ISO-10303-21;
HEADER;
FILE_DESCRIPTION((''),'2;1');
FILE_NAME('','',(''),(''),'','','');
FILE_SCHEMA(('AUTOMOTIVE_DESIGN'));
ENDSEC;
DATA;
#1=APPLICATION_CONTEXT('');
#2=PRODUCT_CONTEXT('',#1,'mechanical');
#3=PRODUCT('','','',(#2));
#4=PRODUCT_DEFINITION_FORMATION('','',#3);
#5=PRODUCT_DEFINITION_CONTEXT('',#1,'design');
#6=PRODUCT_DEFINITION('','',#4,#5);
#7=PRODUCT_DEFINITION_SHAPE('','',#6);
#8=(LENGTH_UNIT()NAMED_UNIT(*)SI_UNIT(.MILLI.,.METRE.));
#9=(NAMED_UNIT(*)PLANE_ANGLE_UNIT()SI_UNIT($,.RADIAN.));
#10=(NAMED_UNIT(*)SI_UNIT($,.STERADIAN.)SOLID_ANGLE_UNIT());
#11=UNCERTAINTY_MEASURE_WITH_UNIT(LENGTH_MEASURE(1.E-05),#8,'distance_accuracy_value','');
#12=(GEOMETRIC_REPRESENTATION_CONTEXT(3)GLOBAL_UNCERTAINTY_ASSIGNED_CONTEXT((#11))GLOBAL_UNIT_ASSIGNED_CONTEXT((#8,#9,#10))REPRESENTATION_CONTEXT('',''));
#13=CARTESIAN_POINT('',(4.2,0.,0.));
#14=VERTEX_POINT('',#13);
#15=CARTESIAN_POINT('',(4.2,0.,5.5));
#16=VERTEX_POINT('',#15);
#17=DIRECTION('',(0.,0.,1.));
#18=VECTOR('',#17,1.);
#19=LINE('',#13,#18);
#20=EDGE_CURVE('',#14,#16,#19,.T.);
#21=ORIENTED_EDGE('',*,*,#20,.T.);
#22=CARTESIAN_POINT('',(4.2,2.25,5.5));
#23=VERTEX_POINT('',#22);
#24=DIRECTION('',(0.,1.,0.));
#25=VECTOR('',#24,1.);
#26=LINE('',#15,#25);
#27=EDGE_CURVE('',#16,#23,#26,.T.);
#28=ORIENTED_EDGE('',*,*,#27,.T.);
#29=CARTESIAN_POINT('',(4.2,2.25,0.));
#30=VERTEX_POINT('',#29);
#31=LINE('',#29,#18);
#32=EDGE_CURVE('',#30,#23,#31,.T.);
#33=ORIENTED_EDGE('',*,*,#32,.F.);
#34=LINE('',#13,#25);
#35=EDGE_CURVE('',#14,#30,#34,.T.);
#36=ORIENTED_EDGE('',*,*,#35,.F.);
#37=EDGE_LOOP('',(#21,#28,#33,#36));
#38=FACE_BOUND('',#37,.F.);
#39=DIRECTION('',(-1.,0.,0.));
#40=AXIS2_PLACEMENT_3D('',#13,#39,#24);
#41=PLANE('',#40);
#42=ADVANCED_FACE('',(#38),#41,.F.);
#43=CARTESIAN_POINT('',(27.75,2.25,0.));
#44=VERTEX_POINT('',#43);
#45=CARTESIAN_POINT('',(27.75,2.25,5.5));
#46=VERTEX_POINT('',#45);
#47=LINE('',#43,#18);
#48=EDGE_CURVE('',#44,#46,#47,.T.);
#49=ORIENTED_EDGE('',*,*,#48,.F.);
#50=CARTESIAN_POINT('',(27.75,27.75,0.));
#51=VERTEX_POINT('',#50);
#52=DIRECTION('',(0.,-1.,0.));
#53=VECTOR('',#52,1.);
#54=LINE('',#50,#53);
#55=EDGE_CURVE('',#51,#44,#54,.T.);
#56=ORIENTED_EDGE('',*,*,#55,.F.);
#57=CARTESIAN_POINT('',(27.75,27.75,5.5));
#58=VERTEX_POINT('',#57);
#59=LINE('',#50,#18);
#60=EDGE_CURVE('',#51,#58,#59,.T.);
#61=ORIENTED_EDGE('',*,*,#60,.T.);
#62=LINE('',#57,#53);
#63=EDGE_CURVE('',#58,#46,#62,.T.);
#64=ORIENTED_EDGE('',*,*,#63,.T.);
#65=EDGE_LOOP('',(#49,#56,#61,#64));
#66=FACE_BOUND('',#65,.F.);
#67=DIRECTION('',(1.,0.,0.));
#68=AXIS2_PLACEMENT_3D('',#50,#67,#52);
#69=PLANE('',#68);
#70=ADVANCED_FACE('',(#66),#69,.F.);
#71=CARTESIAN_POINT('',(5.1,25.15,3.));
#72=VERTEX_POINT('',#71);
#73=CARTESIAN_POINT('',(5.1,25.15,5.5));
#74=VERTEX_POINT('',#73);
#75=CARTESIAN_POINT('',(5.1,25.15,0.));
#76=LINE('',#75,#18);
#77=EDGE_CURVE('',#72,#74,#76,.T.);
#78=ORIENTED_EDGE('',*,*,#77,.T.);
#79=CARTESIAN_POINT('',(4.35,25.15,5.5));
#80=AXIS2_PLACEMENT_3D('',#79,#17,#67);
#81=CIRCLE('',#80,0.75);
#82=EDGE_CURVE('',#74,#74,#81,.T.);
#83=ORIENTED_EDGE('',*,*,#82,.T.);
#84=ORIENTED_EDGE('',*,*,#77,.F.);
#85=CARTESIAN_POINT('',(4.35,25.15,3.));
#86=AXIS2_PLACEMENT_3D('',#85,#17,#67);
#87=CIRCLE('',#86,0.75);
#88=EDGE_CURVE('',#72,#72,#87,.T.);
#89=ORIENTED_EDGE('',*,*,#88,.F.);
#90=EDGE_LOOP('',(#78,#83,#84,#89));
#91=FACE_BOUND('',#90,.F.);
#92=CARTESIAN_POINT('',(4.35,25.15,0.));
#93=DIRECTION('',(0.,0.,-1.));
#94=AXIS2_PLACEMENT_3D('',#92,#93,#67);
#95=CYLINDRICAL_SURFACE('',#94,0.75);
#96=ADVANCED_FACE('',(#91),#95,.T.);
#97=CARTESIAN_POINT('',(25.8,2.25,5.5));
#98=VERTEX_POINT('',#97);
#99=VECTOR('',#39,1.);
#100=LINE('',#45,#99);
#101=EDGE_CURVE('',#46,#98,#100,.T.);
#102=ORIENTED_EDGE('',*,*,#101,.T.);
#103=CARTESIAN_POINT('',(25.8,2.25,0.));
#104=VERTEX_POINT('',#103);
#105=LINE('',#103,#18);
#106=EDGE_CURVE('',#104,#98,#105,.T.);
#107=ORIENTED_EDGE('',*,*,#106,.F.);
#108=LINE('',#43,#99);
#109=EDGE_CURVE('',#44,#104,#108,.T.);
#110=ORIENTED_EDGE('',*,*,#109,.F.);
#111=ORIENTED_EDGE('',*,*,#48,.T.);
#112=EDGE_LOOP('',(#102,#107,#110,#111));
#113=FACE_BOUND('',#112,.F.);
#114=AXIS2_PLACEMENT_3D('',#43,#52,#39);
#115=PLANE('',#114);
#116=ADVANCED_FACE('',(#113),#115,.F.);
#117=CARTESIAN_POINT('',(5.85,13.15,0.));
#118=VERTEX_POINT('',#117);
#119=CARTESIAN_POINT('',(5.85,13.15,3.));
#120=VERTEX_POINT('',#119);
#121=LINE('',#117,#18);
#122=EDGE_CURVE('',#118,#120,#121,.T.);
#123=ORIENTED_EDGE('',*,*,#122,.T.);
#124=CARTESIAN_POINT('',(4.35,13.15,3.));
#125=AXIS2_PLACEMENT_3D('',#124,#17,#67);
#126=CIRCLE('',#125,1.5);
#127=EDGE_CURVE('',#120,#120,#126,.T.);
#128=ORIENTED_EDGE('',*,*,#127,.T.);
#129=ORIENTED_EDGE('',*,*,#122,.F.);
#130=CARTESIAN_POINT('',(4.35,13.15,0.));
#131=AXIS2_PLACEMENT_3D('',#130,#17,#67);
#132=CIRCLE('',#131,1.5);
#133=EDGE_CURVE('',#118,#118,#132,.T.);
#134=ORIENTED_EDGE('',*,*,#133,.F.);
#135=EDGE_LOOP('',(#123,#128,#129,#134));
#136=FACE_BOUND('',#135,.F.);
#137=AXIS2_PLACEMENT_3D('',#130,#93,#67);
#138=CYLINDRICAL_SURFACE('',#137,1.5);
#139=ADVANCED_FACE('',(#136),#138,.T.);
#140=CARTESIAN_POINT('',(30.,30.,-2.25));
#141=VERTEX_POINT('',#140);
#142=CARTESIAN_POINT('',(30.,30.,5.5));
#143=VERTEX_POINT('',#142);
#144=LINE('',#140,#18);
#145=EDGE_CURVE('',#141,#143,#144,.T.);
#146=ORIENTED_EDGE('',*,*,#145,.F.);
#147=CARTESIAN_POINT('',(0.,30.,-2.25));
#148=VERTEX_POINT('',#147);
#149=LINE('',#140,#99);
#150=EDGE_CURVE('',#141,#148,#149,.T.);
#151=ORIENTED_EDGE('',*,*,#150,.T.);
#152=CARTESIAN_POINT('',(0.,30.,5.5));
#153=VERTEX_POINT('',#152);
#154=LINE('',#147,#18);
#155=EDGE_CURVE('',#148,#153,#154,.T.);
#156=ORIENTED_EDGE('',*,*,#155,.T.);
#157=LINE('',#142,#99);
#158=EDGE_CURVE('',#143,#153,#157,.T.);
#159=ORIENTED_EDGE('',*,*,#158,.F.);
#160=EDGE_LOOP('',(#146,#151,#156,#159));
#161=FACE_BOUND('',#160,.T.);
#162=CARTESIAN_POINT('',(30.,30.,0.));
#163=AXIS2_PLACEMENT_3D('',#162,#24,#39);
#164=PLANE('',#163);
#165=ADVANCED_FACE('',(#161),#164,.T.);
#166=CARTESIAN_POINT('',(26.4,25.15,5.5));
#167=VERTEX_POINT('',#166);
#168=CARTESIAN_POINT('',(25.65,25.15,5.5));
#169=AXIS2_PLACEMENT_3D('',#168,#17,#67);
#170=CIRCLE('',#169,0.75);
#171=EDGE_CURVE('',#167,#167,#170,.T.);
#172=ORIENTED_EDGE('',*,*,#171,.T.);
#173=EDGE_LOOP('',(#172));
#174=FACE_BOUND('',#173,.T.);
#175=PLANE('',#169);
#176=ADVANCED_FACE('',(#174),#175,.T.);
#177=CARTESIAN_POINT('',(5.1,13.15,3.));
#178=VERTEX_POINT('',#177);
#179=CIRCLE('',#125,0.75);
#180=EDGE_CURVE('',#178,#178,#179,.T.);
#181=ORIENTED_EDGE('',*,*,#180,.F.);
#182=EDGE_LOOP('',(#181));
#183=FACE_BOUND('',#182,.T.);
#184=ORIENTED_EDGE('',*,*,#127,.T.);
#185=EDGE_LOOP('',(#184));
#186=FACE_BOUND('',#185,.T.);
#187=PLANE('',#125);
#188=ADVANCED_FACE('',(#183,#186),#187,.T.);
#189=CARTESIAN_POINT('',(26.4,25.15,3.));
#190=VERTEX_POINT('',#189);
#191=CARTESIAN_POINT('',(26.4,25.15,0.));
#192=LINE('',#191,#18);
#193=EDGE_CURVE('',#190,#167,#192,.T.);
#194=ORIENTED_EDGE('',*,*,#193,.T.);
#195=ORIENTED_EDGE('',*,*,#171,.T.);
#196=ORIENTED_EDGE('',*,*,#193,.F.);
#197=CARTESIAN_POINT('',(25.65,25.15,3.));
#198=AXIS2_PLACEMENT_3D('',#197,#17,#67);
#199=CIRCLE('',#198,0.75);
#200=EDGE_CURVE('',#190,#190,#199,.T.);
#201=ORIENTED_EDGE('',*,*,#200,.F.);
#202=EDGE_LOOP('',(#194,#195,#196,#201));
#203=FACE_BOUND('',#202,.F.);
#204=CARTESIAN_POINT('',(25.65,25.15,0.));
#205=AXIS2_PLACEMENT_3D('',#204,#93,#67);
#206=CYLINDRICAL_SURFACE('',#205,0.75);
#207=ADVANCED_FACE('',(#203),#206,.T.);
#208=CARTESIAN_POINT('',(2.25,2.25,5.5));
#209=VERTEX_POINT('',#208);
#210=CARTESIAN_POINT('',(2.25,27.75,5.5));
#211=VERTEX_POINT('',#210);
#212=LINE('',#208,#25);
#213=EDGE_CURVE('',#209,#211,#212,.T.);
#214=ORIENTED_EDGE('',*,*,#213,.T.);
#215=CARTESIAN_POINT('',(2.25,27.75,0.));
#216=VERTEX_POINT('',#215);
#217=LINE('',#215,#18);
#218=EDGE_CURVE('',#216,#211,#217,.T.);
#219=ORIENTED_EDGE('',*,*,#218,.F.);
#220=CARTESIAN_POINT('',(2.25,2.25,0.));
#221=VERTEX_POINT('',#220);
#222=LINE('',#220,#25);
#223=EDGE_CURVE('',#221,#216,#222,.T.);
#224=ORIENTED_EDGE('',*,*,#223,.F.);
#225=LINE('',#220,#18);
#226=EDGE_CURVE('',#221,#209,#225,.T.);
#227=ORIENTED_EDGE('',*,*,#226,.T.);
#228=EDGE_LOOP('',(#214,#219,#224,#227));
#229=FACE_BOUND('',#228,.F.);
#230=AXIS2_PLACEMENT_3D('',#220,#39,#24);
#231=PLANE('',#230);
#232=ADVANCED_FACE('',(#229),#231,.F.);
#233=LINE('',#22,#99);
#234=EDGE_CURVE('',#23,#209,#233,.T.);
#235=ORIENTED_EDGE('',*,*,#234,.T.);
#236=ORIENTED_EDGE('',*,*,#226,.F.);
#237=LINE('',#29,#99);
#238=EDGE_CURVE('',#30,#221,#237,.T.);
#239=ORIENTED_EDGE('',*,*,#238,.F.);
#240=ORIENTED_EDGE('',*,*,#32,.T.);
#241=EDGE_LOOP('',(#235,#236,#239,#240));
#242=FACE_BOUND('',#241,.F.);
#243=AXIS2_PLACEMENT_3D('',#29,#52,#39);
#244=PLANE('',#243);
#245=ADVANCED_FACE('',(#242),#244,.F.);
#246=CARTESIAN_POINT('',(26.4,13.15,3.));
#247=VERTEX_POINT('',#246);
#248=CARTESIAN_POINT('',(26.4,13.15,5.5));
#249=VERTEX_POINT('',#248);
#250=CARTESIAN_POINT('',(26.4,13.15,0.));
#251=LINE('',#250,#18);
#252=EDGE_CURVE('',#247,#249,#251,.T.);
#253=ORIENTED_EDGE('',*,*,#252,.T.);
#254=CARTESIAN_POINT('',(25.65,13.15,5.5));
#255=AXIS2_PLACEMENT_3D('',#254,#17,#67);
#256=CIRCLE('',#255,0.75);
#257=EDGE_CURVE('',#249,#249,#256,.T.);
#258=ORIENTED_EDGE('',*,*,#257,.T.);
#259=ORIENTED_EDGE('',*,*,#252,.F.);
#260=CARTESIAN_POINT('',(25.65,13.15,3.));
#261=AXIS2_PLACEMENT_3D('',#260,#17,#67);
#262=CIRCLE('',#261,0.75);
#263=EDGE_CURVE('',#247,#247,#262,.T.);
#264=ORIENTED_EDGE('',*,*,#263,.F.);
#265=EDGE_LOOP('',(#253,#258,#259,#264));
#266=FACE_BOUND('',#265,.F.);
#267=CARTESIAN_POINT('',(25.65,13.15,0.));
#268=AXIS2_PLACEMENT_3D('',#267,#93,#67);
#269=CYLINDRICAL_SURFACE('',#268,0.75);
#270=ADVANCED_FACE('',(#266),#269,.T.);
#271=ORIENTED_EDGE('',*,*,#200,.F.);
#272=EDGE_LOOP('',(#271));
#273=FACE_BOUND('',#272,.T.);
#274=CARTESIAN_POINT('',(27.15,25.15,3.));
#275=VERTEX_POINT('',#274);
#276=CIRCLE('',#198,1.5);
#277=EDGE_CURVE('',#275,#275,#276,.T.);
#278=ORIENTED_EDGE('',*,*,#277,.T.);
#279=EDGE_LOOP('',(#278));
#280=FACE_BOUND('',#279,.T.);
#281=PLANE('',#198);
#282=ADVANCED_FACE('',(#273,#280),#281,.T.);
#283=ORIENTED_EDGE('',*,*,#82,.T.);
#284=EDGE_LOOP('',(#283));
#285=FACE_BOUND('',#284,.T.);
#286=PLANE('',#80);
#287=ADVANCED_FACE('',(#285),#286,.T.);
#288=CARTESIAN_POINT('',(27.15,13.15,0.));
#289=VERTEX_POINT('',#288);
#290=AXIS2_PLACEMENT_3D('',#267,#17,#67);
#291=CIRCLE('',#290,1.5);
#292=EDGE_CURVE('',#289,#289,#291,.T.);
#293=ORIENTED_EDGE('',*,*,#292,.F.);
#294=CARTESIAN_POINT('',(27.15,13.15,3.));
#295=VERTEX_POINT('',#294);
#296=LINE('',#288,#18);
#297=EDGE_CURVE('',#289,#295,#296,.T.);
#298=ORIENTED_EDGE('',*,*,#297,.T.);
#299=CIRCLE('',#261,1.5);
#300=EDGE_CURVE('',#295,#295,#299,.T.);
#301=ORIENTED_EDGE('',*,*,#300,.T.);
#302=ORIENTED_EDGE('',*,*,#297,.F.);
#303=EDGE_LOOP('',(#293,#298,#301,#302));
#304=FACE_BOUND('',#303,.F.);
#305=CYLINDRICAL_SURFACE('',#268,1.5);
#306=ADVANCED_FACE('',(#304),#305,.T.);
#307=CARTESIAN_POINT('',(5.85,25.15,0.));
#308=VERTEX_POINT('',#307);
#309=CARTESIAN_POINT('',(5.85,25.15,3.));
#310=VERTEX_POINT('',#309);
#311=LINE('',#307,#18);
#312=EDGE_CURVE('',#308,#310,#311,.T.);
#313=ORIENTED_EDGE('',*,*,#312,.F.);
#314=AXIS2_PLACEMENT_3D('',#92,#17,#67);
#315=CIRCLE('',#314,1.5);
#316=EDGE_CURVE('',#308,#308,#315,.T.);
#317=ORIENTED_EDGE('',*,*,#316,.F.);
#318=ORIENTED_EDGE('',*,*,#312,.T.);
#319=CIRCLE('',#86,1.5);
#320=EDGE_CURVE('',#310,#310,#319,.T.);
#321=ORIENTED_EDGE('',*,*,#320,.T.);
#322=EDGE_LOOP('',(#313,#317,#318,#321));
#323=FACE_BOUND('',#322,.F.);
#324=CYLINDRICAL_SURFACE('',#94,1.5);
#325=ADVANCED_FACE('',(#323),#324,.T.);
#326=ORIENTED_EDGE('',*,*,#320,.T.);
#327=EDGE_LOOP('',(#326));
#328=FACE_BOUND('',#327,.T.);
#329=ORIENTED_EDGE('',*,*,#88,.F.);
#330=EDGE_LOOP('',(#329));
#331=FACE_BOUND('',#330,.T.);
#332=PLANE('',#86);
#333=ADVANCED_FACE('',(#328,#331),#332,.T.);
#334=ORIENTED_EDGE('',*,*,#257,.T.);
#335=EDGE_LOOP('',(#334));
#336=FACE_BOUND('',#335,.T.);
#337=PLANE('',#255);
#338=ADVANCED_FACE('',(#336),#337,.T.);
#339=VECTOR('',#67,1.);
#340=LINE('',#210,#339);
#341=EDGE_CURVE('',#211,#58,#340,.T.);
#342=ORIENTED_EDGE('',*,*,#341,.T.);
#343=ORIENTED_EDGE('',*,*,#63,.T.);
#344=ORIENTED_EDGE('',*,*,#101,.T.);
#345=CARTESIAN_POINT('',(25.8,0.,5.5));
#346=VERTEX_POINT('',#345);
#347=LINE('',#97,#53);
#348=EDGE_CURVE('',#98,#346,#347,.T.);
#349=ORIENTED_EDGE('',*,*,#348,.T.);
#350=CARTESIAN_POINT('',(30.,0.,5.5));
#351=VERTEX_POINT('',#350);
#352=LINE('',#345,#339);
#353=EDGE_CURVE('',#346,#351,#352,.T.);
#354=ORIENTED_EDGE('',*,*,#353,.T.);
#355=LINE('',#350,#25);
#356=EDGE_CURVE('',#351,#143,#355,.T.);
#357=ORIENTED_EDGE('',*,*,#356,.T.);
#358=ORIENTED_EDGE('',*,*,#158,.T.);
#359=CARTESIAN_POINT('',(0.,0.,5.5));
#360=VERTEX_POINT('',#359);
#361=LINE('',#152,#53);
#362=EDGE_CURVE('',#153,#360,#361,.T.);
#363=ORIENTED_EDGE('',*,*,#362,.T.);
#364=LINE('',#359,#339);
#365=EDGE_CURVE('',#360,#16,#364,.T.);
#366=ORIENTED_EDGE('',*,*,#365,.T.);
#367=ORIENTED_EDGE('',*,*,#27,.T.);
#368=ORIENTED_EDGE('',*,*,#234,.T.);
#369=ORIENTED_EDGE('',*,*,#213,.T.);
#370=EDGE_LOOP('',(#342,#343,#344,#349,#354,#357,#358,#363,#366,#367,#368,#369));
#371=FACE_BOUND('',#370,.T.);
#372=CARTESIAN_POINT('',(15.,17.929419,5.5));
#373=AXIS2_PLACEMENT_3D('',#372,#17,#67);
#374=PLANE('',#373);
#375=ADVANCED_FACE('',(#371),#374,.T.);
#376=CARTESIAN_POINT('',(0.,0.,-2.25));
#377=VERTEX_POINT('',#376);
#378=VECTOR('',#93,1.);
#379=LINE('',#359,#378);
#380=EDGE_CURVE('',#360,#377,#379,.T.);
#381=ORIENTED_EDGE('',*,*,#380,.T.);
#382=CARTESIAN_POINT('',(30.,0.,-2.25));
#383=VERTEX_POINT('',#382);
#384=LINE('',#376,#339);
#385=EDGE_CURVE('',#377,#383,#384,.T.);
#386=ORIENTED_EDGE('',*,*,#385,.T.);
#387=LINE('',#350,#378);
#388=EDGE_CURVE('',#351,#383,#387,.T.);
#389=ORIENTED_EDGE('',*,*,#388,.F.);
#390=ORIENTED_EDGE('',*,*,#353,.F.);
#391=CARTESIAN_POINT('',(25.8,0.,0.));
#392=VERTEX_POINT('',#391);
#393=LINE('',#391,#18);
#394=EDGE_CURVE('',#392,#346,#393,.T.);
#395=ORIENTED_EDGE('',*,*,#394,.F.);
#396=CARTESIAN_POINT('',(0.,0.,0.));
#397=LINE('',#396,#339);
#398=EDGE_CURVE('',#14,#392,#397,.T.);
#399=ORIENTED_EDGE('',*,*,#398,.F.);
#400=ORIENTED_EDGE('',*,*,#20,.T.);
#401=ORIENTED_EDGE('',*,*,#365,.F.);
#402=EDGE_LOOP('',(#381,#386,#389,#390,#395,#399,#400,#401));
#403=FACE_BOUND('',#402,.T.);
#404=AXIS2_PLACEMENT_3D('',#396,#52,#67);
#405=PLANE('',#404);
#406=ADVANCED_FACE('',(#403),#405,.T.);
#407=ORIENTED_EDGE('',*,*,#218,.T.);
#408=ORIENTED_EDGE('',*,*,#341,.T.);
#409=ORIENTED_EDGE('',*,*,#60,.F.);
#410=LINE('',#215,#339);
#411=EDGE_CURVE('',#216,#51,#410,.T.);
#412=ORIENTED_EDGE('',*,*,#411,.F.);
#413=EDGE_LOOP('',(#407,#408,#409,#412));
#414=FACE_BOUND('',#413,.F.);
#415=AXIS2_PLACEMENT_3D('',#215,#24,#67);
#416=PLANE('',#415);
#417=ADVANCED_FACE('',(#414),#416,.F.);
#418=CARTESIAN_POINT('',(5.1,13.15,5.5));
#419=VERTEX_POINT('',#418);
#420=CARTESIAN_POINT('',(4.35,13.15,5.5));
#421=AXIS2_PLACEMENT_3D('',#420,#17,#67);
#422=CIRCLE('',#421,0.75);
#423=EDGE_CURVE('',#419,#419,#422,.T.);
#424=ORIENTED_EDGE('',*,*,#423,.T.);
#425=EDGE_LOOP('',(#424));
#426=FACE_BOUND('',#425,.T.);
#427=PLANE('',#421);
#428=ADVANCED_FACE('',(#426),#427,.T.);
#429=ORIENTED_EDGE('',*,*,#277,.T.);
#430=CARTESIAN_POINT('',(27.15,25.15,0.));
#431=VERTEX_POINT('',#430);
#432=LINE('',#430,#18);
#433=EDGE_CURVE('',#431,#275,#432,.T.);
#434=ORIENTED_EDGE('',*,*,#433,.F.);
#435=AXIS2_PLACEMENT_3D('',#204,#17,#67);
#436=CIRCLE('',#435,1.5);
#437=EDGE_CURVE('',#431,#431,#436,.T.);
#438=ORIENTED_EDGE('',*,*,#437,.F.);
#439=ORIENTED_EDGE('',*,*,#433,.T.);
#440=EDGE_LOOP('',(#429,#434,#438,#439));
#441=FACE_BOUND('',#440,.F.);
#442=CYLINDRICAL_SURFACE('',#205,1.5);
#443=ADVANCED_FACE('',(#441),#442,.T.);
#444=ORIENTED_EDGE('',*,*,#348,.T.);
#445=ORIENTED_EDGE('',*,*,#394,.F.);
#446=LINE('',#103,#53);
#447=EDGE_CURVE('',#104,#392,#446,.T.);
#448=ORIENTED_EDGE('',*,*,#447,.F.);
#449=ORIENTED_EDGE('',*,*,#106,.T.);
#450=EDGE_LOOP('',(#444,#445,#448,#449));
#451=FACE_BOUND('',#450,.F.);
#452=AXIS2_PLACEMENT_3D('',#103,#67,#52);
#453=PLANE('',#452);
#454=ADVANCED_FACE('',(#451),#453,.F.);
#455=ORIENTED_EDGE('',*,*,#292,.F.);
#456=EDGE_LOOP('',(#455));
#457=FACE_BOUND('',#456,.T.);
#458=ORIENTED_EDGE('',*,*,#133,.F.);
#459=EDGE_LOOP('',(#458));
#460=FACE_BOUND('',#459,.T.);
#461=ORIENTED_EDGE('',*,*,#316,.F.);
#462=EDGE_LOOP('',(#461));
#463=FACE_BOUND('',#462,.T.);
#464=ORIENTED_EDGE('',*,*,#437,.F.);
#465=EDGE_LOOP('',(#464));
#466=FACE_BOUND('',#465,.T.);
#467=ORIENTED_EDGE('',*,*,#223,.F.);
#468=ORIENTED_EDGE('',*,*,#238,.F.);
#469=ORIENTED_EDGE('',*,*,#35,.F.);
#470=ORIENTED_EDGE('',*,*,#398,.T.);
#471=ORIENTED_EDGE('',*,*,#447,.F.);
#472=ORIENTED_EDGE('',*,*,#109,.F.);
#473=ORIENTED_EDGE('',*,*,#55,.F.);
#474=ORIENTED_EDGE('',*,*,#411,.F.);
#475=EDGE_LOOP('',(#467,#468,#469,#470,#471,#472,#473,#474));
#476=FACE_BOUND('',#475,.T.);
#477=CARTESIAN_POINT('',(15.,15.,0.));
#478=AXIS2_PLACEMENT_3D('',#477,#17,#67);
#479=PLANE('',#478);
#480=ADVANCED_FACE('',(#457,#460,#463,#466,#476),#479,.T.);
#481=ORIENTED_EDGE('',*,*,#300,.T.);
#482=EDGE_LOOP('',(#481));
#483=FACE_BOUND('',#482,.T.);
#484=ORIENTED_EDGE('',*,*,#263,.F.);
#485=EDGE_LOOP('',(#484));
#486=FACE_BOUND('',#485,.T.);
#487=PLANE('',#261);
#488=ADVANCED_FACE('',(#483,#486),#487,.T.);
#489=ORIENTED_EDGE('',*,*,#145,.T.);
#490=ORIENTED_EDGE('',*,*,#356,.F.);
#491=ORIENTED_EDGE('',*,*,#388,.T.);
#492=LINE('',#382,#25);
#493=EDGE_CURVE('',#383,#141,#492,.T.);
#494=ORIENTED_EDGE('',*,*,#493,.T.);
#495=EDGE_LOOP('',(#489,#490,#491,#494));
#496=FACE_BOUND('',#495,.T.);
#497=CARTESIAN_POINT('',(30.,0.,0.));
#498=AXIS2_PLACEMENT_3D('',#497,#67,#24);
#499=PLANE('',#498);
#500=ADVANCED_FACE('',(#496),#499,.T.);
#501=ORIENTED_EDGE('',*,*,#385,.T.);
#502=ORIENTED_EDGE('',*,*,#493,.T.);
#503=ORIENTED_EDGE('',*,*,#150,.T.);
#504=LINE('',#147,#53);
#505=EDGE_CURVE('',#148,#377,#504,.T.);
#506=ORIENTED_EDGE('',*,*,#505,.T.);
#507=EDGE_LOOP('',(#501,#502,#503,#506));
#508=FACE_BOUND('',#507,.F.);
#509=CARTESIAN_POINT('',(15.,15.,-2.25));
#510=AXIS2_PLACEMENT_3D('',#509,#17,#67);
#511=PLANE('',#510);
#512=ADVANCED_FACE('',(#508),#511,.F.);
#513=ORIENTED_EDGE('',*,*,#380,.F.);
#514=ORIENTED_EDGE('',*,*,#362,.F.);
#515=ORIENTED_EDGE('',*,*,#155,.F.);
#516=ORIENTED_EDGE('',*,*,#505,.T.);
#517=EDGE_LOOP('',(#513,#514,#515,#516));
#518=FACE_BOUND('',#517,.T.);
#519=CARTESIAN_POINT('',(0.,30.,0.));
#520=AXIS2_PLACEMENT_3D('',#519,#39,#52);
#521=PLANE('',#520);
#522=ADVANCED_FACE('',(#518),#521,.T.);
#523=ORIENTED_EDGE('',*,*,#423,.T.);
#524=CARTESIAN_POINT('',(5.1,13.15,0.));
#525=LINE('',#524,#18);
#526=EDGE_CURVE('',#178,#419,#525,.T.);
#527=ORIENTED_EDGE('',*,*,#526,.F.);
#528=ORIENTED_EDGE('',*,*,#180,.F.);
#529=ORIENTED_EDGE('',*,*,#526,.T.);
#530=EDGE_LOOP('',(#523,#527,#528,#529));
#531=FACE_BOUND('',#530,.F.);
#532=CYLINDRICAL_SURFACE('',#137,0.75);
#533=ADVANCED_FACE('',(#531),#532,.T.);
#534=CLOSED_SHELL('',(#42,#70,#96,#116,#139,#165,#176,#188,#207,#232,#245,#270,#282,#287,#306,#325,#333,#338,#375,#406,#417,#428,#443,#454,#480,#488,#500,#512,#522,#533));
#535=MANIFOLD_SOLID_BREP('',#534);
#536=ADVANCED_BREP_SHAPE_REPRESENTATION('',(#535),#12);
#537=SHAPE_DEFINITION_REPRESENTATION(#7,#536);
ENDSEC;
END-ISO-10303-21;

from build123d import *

# Parameters (mm, degrees)
F1_DEPTH = 5.5
F0_W     = 21.6
F0_H     = 2.25
F2_DEPTH = 2.25
F3_R     = 1.5
F3_R_2   = 0.75
F4_DEPTH = 3
F5_DEPTH = 5.5


with BuildPart() as f1:
    # F0 (on Top) → F1 (new body)
    with BuildSketch(Plane.XY):
        Polygon((0, 30), (0, 0), (4.2, 0), (4.2, 2.25), (2.25, 2.25), (2.25, 27.75), (27.75, 27.75), (27.75, 2.25), (25.8, 2.25), (25.8, 0), (30, 0), (30, 30), align=None)
    extrude(amount=F1_DEPTH)

    # F0 (on Top) → F2 (join)
    with BuildSketch(Plane.XY):
        Polygon((2.25, 2.25), (4.2, 2.25), (25.8, 2.25), (27.75, 2.25), (27.75, 27.75), (2.25, 27.75), align=None)
        Polygon((0, 30), (0, 0), (4.2, 0), (4.2, 2.25), (2.25, 2.25), (2.25, 27.75), (27.75, 27.75), (27.75, 2.25), (25.8, 2.25), (25.8, 0), (30, 0), (30, 30), align=None)
        with Locations((15, 1.125)):
            Rectangle(F0_W, F0_H)
    extrude(amount=-F2_DEPTH)

    # F3 (on face) → F4 (join)
    with BuildSketch(Plane.XY):
        with Locations((25.65, 25.15)):
            Circle(F3_R)
        with Locations((25.65, 25.15)):
            Circle(F3_R_2, mode=Mode.SUBTRACT)
        with Locations((25.65, 13.15)):
            Circle(F3_R)
        with Locations((25.65, 13.15)):
            Circle(F3_R_2, mode=Mode.SUBTRACT)
        with Locations((4.35, 25.15)):
            Circle(F3_R)
        with Locations((4.35, 25.15)):
            Circle(F3_R_2, mode=Mode.SUBTRACT)
        with Locations((4.35, 13.15)):
            Circle(F3_R)
        with Locations((4.35, 13.15)):
            Circle(F3_R_2, mode=Mode.SUBTRACT)
    extrude(amount=F4_DEPTH)

    # F3 (on face) → F5 (join)
    with BuildSketch(Plane.XY):
        with Locations((4.35, 25.15)):
            Circle(F3_R_2)
        with Locations((25.65, 25.15)):
            Circle(F3_R_2)
        with Locations((25.65, 13.15)):
            Circle(F3_R_2)
        with Locations((4.35, 13.15)):
            Circle(F3_R_2)
    extrude(amount=F5_DEPTH)


solid = f1.part
